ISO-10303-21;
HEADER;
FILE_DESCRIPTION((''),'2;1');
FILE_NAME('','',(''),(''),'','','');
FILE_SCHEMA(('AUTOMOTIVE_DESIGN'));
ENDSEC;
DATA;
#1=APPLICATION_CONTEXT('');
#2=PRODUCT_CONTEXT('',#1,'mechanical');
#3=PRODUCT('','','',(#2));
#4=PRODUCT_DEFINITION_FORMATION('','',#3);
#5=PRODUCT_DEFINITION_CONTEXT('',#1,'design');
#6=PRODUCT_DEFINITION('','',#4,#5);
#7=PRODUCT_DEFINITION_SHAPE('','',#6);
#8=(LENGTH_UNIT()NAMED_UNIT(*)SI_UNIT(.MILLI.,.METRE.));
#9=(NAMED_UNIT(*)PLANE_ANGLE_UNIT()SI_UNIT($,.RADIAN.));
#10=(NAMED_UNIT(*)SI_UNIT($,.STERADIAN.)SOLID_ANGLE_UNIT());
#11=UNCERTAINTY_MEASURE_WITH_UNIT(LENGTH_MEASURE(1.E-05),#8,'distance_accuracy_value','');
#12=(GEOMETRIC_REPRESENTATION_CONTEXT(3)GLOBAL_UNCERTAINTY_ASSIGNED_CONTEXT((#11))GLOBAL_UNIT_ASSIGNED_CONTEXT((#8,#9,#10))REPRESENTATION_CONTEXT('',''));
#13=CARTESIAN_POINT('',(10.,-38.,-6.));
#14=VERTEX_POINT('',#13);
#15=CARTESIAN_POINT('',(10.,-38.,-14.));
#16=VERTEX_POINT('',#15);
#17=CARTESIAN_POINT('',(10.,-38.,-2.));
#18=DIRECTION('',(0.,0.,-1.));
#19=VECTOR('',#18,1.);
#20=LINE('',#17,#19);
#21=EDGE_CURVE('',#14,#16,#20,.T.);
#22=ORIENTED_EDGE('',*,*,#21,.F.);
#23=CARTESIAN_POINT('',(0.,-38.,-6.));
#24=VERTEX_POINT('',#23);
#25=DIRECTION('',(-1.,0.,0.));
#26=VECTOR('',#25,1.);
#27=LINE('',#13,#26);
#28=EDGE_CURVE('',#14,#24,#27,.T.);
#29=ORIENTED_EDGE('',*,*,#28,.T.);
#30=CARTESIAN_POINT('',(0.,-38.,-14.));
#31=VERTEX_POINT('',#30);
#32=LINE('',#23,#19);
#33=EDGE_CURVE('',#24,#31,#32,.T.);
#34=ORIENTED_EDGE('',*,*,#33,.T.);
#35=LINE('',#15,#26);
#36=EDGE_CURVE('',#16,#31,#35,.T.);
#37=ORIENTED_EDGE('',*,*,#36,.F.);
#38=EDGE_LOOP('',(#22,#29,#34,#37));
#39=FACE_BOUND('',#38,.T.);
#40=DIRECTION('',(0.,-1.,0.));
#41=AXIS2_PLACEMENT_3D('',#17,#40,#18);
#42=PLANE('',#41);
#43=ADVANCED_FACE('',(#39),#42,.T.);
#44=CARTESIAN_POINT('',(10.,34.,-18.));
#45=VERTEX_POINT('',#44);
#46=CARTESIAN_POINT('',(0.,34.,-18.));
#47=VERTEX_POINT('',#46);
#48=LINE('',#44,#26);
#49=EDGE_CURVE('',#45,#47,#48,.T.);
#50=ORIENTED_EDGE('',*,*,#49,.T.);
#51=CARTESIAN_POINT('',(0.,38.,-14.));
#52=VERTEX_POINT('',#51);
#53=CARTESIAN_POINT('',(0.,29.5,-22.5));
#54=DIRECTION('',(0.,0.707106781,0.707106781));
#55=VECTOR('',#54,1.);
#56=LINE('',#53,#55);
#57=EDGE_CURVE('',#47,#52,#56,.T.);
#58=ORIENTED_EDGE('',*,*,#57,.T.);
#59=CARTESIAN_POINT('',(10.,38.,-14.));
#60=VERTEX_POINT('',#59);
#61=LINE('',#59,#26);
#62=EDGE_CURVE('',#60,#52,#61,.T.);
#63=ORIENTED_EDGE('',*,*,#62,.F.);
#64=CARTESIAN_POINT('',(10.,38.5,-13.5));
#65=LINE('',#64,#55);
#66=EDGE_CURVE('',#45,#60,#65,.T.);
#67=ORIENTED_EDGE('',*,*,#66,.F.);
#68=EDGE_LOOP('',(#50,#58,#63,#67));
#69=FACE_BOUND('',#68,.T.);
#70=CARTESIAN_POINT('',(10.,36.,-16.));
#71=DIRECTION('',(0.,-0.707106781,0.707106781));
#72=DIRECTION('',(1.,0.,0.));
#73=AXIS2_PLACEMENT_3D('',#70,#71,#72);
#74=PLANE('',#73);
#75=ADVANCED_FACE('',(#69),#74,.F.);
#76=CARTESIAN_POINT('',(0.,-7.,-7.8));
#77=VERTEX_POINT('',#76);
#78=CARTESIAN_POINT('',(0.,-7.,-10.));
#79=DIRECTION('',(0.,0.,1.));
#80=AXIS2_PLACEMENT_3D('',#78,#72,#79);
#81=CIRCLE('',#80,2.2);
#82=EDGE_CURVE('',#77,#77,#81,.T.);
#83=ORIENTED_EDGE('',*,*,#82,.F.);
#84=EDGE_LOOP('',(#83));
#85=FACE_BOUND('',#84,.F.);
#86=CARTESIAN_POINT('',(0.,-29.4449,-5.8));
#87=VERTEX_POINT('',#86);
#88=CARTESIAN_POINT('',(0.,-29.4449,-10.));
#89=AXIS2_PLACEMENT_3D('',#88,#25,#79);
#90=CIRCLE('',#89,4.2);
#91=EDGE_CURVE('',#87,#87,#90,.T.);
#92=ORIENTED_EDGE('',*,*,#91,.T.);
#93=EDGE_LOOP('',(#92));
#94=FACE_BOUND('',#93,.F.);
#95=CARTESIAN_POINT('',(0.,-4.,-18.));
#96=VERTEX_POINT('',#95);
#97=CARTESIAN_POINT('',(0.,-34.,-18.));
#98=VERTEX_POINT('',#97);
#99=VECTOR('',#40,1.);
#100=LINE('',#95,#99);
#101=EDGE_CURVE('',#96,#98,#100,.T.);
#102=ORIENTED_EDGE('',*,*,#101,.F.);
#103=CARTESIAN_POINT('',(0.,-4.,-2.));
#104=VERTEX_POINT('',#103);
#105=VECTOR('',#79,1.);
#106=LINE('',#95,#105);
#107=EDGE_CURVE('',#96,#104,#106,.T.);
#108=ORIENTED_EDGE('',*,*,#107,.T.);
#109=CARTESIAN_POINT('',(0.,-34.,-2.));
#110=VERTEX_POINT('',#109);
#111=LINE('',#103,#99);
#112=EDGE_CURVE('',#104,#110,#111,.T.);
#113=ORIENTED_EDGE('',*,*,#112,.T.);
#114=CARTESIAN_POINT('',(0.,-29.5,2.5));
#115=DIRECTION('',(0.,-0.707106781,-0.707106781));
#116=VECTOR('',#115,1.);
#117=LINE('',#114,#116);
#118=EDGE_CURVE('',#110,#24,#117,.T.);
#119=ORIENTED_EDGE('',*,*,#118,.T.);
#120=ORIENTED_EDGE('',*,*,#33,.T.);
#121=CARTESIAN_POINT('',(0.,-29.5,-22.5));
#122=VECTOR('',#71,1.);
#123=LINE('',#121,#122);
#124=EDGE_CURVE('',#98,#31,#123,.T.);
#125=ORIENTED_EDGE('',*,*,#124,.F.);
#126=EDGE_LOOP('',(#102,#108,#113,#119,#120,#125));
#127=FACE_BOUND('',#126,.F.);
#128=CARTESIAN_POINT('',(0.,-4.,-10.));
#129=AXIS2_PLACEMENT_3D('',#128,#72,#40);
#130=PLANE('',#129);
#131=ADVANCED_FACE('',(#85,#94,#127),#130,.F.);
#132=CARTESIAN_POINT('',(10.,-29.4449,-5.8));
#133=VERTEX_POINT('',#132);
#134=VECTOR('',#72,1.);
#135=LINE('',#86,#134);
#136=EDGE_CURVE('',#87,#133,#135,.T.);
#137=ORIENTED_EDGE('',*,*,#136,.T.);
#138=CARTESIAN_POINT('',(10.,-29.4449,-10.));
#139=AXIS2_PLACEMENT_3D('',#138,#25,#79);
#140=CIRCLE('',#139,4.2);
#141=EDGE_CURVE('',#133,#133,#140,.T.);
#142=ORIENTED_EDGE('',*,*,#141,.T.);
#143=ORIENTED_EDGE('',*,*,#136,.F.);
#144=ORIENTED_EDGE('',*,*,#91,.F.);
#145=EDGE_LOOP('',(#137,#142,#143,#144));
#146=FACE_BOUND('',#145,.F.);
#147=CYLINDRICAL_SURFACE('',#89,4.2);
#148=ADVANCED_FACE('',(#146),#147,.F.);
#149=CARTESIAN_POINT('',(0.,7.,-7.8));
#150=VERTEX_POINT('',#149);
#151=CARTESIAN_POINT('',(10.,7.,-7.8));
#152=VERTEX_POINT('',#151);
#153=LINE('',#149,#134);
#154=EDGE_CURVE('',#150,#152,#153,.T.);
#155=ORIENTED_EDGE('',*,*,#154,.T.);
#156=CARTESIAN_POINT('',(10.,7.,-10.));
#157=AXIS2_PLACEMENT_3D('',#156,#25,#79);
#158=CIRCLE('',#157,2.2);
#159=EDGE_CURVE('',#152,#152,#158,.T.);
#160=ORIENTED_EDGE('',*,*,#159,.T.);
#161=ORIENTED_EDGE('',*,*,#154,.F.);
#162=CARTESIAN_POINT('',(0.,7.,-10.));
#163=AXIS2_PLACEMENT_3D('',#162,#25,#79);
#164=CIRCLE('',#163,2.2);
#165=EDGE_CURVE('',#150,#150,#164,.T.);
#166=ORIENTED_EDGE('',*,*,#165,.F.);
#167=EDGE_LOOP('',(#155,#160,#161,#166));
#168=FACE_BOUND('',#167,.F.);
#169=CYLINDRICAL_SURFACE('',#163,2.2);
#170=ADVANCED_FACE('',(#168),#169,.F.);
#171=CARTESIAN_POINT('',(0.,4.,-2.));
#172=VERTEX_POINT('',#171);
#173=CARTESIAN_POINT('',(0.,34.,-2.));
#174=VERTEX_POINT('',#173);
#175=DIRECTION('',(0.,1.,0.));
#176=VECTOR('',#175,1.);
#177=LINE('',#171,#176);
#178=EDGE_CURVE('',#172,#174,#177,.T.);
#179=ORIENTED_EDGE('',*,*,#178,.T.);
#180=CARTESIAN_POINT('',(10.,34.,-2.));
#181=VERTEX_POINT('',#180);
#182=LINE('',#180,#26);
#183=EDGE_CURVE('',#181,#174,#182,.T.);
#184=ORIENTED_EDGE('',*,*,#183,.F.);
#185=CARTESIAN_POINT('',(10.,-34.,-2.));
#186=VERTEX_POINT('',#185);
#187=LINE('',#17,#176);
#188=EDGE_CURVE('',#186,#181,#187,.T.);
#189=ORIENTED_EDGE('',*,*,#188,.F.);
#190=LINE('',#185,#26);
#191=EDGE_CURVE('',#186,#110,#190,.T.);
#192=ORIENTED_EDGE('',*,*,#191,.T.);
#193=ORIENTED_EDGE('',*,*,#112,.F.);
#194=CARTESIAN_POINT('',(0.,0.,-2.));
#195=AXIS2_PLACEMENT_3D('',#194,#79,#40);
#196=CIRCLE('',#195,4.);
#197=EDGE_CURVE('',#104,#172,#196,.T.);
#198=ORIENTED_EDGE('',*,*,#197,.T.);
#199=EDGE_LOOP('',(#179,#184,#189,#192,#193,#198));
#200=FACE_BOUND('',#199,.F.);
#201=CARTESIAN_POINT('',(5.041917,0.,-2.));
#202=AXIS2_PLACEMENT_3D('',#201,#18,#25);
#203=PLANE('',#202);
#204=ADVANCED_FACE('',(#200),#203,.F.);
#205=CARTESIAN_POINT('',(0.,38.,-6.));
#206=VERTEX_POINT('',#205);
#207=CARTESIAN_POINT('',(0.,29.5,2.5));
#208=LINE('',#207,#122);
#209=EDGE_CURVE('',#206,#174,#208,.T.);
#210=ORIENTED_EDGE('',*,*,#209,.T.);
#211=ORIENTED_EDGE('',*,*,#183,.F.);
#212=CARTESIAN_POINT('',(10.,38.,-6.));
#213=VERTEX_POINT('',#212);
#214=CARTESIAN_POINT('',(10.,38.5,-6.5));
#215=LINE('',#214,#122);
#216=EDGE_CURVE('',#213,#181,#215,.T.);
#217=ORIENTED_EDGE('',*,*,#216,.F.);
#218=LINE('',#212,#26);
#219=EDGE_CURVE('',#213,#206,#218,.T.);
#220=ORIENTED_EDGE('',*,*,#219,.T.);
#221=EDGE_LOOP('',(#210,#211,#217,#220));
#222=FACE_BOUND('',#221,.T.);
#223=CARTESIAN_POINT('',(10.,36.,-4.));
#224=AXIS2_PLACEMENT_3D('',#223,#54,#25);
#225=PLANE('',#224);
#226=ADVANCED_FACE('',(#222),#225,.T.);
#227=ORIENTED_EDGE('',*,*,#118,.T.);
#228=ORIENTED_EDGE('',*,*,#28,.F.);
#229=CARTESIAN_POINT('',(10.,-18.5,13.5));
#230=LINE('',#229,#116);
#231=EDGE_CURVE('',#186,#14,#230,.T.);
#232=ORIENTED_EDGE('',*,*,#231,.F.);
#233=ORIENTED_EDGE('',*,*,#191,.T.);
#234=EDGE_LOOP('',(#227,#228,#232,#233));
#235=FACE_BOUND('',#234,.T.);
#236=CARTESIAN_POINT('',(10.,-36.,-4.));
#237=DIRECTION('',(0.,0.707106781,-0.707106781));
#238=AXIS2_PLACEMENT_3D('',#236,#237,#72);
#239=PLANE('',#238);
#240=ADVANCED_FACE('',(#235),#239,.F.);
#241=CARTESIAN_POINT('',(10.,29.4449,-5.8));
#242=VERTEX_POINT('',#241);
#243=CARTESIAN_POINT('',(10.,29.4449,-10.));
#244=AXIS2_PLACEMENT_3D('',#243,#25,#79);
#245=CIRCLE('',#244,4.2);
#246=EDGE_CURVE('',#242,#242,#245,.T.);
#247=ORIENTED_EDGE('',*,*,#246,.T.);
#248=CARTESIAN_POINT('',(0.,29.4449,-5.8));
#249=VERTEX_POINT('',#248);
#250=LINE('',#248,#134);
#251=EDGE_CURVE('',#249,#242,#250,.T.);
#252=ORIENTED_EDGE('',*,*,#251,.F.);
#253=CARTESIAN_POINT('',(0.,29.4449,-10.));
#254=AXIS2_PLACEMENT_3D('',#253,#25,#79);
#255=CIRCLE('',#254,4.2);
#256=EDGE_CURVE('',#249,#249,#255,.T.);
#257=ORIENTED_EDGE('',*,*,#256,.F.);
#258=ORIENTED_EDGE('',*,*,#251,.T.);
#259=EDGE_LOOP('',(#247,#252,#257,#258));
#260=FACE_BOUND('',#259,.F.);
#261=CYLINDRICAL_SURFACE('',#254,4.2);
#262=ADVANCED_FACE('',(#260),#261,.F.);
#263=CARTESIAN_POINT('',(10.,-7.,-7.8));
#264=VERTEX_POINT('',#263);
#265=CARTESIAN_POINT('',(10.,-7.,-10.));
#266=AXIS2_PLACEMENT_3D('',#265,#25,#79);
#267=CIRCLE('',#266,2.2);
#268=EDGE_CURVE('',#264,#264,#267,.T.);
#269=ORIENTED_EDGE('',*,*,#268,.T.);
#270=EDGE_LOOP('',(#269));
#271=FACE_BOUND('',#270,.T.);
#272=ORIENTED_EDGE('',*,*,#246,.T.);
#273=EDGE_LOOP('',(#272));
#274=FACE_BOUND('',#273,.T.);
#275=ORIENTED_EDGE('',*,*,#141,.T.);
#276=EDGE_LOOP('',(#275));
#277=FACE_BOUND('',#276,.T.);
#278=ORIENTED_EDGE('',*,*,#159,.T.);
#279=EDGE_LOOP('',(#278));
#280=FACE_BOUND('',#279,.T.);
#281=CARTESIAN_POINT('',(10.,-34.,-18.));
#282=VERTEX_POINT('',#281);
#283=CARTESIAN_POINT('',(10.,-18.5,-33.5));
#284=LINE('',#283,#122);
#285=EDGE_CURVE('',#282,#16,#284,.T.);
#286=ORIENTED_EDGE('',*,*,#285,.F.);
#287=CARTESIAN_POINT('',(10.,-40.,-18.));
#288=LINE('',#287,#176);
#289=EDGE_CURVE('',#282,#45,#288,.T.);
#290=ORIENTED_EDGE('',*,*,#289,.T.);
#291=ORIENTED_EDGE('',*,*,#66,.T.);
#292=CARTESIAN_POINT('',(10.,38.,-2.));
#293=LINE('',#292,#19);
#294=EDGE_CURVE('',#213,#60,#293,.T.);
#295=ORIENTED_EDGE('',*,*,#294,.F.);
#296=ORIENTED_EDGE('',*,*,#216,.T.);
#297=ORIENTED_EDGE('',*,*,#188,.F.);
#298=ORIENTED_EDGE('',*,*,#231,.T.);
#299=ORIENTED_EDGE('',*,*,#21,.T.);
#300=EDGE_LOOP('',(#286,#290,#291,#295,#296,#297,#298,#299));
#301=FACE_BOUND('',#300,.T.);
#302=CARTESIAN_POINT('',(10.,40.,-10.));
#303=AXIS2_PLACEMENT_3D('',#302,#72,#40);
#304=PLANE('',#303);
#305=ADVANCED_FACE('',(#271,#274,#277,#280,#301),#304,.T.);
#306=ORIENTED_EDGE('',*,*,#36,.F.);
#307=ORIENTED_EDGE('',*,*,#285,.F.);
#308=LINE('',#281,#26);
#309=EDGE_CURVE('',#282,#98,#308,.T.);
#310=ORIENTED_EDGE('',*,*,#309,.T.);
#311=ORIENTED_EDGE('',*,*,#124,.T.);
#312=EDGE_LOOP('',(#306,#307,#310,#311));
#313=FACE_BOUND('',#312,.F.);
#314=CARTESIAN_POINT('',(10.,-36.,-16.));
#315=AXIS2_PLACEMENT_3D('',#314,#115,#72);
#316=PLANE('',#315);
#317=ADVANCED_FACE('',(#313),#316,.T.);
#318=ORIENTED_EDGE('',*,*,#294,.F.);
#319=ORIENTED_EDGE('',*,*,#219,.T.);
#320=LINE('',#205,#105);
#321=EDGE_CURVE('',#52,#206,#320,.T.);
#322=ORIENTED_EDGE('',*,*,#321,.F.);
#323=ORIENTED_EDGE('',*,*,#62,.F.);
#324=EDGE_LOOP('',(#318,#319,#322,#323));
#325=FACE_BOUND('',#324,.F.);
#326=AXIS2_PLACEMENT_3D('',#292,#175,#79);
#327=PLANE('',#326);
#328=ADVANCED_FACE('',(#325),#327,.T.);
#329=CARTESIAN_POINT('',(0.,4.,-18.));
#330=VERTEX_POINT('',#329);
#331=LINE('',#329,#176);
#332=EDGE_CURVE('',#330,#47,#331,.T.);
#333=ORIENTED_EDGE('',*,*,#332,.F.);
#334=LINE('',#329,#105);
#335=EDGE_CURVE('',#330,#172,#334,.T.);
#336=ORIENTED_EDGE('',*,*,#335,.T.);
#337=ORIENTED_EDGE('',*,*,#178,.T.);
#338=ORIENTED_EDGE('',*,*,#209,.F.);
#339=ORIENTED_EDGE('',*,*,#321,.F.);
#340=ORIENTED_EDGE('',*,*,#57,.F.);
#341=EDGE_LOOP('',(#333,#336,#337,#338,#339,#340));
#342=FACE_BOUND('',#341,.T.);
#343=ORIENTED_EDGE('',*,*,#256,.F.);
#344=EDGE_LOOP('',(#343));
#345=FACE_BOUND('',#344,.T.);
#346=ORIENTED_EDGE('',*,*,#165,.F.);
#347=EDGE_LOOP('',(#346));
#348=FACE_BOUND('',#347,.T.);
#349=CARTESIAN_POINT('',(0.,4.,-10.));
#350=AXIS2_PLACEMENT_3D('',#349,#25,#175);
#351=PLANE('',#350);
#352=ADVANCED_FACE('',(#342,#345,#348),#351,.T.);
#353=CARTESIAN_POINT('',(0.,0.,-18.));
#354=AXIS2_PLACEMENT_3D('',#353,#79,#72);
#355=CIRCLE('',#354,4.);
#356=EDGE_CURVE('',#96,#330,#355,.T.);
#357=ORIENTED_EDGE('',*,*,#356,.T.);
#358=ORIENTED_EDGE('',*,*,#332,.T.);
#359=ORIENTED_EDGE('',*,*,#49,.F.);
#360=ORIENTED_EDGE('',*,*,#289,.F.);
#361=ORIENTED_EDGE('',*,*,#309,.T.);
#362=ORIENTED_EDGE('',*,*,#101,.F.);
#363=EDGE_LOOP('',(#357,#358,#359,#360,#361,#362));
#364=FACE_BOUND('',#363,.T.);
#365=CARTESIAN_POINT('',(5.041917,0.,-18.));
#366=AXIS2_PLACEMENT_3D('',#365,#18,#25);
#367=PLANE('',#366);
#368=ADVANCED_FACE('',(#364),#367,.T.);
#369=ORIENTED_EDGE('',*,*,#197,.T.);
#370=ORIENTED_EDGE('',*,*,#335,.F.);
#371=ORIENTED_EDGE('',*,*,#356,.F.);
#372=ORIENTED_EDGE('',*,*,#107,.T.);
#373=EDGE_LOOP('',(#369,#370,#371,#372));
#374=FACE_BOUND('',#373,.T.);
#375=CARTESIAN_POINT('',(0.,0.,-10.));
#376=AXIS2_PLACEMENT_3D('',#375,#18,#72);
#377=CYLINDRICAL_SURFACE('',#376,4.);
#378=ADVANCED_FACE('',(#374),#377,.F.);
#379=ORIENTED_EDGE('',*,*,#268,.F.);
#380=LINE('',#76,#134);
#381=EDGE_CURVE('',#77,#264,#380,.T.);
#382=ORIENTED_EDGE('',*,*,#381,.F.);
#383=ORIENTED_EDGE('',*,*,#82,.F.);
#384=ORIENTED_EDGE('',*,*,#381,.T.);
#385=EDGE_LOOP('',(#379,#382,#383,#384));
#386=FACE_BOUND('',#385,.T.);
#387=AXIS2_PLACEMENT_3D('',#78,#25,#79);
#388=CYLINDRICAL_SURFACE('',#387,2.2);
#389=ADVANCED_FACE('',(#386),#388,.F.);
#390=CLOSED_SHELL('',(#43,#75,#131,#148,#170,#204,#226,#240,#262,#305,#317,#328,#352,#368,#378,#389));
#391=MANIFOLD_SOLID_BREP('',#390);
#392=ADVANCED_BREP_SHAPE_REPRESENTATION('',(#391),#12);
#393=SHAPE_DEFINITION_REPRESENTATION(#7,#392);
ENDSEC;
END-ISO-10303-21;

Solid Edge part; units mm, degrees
sketch "Sketch1" plane through (0, 0, -10) normal (0, 0, 1) x (1, 0, 0)
  line L0 (0, 4) -> (0, 40)
  line L1 (0, 40) -> (10, 40)
  line L2 (10, 40) -> (10, 0)
  line L3 (10, -40) -> (10, 0)
  line L4 (0, -40) -> (10, -40)
  line L5 (0, -4) -> (0, -40)
  arc A0 (0, -4) -> (0, 4) centre (0, 0) ccw
extrude "ExtrudedProtrusion_1" add sketch "Sketch1" along normal mid plane 16
sketch "Sketch2" plane through (0, 21, -10) normal (-1, 0, 0) x (0, 0, 1)
  circle A0 centre (0, 8.4449) radius 4.2
  circle A1 centre (0, -50.4449) radius 4.2
  dimension "D1" = 58.8897
extrude "Cutout1" cut sketch "Sketch2" against normal through all
sketch "Sketch3" plane through (0, 21, -10) normal (-1, 0, 0) x (0, 0, 1)
  circle A0 centre (0, -14) radius 2.2
  dimension "D1" = 3
  dimension "D2" = 4.4
extrude "Cutout2" cut sketch "Sketch3" against normal through all
mirror "Mirror1" about plane through (0, 0, 0) normal (0, -1, 0) of "Cutout2"
sketch "Sketch4" plane through (10, 0, -10) normal (1, 0, 0) x (0, 1, 0)
  line L0 (0, 8) -> (-38, 8)
  line L1 (-38, 8) -> (-38, -14.4218)
extrude "Cutout4" cut sketch "Sketch4" against normal through all material side at (10, -19, -1.95)
mirror "Mirror2" about plane through (0, 0, 0) normal (0, -1, 0) of "Cutout4"
chamfer "Chamfer_1" distance 4 angle 45 4 edges at (5, -38, -2) (5, -38, -18) (5, 38, -2) (5, 38, -18)
